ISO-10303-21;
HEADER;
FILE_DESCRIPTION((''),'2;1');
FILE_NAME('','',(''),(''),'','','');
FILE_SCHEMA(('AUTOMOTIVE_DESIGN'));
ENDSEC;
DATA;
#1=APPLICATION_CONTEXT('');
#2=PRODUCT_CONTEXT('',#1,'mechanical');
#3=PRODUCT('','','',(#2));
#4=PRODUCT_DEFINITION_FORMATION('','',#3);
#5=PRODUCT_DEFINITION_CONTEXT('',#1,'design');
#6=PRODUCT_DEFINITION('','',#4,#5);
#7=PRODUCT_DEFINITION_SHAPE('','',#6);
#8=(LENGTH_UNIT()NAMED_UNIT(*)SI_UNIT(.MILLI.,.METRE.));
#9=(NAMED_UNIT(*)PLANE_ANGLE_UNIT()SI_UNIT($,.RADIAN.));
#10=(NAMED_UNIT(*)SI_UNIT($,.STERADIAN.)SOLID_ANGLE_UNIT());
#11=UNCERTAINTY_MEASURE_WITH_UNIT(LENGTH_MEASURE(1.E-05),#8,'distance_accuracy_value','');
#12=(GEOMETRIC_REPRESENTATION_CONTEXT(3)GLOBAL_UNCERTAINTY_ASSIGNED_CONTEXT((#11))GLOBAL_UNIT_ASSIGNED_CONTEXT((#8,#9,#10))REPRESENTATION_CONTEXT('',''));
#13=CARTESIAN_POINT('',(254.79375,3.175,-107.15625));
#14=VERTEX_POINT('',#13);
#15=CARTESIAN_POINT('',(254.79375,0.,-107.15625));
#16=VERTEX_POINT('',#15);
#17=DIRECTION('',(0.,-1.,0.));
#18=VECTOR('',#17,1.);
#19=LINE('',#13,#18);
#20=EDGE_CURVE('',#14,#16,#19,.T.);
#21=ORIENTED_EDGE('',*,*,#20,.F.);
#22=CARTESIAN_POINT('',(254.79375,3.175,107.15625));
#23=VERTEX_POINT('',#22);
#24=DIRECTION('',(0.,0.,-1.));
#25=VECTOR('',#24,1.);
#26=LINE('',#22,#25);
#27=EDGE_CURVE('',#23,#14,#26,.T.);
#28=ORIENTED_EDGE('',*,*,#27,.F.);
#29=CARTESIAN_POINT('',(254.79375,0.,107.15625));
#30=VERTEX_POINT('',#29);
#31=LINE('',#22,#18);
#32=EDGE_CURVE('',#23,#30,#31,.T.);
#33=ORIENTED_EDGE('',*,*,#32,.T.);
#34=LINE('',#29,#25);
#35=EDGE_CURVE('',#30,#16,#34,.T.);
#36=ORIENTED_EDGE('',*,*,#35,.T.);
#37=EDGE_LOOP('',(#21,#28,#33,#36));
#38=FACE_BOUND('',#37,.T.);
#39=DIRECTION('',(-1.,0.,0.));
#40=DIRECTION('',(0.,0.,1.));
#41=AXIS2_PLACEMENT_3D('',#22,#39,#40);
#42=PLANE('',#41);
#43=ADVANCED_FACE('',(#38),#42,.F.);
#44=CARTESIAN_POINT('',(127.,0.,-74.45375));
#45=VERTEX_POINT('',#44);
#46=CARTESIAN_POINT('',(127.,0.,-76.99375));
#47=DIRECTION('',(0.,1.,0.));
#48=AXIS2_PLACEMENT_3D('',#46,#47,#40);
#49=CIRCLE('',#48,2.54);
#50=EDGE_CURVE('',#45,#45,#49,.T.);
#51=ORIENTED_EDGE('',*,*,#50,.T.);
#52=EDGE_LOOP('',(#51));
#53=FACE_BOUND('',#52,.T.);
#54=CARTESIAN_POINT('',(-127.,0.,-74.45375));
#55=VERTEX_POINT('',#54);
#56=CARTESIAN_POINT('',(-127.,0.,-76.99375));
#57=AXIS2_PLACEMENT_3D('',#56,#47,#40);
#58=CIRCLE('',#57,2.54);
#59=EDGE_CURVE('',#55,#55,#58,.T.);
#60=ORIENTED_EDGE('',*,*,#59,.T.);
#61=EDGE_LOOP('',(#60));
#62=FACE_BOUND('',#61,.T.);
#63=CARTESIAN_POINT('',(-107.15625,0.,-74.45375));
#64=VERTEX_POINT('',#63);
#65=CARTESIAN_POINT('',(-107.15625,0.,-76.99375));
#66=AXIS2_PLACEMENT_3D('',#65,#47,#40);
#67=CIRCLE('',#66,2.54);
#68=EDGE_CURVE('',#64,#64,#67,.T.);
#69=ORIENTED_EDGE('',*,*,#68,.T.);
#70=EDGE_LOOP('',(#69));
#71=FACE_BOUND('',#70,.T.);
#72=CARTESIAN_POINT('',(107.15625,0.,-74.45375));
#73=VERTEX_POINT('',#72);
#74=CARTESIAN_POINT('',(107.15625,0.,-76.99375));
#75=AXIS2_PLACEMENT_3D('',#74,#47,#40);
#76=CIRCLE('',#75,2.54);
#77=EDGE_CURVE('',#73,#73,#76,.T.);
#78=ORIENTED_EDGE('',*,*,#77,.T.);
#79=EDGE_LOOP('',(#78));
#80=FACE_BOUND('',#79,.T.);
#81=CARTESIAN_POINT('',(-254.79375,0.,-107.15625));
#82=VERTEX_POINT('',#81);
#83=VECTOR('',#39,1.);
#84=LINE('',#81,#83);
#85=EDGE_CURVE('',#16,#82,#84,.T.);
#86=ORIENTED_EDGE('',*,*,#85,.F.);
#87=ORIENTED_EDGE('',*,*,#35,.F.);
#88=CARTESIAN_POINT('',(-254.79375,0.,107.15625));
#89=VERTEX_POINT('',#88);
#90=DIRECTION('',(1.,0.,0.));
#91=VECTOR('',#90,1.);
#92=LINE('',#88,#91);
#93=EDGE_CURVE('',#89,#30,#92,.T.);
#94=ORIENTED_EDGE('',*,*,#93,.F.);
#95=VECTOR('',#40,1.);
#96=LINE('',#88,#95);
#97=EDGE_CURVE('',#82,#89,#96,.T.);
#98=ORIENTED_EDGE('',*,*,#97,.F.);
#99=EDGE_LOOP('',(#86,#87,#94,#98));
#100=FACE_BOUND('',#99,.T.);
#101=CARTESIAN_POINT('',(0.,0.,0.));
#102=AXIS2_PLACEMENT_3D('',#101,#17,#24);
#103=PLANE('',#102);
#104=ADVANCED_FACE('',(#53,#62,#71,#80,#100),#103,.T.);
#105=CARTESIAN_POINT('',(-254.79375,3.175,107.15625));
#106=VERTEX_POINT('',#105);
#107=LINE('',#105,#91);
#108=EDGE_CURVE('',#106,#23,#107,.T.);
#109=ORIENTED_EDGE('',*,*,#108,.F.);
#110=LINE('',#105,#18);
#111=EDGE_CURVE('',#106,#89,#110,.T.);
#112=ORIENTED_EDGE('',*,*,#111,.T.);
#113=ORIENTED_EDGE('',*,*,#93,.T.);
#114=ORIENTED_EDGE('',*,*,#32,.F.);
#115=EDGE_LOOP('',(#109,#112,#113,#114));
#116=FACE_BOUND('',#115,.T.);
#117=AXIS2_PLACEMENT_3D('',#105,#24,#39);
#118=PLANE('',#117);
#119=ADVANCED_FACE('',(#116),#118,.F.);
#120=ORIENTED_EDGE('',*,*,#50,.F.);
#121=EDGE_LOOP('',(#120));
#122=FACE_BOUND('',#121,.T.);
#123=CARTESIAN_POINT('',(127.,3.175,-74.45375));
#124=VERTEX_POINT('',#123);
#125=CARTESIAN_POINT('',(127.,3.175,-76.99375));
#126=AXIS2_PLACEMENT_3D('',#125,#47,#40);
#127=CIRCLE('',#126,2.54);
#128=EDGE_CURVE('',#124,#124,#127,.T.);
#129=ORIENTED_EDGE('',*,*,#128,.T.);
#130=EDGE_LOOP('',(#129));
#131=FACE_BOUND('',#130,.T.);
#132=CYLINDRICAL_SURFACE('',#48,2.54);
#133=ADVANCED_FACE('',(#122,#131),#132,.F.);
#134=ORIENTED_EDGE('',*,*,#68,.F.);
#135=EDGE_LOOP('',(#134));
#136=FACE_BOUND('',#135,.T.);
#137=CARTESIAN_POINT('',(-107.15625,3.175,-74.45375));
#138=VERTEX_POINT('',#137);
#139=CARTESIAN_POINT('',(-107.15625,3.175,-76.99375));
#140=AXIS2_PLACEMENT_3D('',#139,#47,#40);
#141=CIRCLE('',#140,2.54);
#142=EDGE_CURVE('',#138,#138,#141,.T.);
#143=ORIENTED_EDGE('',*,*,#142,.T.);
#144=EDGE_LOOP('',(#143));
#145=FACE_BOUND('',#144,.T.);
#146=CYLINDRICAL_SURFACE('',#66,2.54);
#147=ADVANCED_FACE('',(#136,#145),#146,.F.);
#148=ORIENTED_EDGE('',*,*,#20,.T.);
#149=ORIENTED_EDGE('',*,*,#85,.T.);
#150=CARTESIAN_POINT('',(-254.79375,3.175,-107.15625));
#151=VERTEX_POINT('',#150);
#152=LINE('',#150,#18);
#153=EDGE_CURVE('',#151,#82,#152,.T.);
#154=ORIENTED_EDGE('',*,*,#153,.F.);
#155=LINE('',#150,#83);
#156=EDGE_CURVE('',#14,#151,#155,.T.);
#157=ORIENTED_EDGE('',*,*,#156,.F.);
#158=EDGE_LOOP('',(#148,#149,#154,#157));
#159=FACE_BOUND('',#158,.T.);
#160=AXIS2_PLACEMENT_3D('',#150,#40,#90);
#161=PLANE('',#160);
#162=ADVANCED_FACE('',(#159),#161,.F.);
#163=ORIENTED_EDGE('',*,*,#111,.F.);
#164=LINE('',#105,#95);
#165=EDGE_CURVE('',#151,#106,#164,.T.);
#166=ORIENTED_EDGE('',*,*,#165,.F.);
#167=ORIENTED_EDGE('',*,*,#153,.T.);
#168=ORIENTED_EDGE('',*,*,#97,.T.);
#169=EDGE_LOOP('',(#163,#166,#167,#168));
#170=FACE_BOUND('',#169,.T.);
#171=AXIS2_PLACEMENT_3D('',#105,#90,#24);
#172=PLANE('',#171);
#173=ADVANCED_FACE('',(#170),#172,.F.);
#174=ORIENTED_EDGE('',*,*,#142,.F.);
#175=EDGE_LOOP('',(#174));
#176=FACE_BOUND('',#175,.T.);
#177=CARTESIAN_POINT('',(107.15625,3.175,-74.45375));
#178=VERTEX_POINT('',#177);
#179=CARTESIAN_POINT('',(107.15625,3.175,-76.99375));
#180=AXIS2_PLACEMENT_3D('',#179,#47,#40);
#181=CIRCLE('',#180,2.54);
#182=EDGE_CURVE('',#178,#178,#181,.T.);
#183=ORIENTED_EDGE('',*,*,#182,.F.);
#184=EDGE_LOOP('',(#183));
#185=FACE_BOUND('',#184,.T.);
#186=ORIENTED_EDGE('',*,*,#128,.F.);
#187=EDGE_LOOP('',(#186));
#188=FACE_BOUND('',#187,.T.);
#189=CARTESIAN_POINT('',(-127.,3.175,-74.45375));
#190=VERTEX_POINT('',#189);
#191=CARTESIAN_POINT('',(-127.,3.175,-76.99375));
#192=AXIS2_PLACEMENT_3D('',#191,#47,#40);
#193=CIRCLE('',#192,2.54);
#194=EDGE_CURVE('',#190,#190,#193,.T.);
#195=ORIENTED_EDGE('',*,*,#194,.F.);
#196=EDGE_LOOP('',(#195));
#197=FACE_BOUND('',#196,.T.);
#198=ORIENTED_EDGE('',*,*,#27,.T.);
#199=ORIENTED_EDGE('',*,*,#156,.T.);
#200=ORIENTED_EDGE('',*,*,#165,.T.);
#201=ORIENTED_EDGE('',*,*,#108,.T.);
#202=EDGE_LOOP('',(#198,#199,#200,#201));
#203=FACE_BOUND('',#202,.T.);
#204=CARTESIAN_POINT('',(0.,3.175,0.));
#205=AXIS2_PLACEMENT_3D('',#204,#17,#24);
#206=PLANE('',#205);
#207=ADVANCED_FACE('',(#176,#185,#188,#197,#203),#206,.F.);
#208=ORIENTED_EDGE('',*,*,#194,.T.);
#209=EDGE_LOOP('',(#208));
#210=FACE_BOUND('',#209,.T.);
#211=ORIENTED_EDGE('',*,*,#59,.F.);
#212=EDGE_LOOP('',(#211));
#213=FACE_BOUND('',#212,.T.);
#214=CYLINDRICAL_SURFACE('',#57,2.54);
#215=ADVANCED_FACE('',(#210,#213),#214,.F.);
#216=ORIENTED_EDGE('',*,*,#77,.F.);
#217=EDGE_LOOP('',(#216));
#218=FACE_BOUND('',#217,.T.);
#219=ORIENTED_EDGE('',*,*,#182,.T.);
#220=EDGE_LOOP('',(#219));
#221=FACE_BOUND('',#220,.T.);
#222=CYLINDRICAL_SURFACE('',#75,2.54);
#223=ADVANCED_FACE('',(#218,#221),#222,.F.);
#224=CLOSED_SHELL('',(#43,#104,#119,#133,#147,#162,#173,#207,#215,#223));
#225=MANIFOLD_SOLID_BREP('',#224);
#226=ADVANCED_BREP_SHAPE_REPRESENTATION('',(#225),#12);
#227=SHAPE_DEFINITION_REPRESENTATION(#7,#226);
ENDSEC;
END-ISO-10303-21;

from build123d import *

# Parameters (mm, degrees)
SKETCH1_W           = 509.5875
SKETCH1_H           = 214.3125
BOSS_EXTRUDE1_DEPTH = 3.175
SKETCH2_R           = 2.54
CUT_EXTRUDE1_DEPTH  = 3.175


with BuildPart() as part:
    # Sketch1 → Boss-Extrude1 (new body)
    with BuildSketch(Plane(origin=(0, 0, 0), x_dir=(1, 0, 0), z_dir=(0, 1, 0))):
        Rectangle(SKETCH1_W, SKETCH1_H)
    extrude(amount=BOSS_EXTRUDE1_DEPTH)

    # Sketch2 → Cut-Extrude1 (cut)
    with BuildSketch(Plane(origin=(0, 3.175, 0), x_dir=(1, 0, 0), z_dir=(0, 1, 0))):
        with Locations(Location((-127, 76.99375, 0), (0, 0, 270))):
            Circle(SKETCH2_R)
        with Locations(Location((-107.15625, 76.99375, 0), (0, 0, 270))):
            Circle(SKETCH2_R)
        with Locations(Location((107.15625, 76.99375, 0), (0, 0, 270))):
            Circle(SKETCH2_R)
        with Locations(Location((127, 76.99375, 0), (0, 0, 270))):
            Circle(SKETCH2_R)
    extrude(amount=-CUT_EXTRUDE1_DEPTH, mode=Mode.SUBTRACT)


solid = part.part
